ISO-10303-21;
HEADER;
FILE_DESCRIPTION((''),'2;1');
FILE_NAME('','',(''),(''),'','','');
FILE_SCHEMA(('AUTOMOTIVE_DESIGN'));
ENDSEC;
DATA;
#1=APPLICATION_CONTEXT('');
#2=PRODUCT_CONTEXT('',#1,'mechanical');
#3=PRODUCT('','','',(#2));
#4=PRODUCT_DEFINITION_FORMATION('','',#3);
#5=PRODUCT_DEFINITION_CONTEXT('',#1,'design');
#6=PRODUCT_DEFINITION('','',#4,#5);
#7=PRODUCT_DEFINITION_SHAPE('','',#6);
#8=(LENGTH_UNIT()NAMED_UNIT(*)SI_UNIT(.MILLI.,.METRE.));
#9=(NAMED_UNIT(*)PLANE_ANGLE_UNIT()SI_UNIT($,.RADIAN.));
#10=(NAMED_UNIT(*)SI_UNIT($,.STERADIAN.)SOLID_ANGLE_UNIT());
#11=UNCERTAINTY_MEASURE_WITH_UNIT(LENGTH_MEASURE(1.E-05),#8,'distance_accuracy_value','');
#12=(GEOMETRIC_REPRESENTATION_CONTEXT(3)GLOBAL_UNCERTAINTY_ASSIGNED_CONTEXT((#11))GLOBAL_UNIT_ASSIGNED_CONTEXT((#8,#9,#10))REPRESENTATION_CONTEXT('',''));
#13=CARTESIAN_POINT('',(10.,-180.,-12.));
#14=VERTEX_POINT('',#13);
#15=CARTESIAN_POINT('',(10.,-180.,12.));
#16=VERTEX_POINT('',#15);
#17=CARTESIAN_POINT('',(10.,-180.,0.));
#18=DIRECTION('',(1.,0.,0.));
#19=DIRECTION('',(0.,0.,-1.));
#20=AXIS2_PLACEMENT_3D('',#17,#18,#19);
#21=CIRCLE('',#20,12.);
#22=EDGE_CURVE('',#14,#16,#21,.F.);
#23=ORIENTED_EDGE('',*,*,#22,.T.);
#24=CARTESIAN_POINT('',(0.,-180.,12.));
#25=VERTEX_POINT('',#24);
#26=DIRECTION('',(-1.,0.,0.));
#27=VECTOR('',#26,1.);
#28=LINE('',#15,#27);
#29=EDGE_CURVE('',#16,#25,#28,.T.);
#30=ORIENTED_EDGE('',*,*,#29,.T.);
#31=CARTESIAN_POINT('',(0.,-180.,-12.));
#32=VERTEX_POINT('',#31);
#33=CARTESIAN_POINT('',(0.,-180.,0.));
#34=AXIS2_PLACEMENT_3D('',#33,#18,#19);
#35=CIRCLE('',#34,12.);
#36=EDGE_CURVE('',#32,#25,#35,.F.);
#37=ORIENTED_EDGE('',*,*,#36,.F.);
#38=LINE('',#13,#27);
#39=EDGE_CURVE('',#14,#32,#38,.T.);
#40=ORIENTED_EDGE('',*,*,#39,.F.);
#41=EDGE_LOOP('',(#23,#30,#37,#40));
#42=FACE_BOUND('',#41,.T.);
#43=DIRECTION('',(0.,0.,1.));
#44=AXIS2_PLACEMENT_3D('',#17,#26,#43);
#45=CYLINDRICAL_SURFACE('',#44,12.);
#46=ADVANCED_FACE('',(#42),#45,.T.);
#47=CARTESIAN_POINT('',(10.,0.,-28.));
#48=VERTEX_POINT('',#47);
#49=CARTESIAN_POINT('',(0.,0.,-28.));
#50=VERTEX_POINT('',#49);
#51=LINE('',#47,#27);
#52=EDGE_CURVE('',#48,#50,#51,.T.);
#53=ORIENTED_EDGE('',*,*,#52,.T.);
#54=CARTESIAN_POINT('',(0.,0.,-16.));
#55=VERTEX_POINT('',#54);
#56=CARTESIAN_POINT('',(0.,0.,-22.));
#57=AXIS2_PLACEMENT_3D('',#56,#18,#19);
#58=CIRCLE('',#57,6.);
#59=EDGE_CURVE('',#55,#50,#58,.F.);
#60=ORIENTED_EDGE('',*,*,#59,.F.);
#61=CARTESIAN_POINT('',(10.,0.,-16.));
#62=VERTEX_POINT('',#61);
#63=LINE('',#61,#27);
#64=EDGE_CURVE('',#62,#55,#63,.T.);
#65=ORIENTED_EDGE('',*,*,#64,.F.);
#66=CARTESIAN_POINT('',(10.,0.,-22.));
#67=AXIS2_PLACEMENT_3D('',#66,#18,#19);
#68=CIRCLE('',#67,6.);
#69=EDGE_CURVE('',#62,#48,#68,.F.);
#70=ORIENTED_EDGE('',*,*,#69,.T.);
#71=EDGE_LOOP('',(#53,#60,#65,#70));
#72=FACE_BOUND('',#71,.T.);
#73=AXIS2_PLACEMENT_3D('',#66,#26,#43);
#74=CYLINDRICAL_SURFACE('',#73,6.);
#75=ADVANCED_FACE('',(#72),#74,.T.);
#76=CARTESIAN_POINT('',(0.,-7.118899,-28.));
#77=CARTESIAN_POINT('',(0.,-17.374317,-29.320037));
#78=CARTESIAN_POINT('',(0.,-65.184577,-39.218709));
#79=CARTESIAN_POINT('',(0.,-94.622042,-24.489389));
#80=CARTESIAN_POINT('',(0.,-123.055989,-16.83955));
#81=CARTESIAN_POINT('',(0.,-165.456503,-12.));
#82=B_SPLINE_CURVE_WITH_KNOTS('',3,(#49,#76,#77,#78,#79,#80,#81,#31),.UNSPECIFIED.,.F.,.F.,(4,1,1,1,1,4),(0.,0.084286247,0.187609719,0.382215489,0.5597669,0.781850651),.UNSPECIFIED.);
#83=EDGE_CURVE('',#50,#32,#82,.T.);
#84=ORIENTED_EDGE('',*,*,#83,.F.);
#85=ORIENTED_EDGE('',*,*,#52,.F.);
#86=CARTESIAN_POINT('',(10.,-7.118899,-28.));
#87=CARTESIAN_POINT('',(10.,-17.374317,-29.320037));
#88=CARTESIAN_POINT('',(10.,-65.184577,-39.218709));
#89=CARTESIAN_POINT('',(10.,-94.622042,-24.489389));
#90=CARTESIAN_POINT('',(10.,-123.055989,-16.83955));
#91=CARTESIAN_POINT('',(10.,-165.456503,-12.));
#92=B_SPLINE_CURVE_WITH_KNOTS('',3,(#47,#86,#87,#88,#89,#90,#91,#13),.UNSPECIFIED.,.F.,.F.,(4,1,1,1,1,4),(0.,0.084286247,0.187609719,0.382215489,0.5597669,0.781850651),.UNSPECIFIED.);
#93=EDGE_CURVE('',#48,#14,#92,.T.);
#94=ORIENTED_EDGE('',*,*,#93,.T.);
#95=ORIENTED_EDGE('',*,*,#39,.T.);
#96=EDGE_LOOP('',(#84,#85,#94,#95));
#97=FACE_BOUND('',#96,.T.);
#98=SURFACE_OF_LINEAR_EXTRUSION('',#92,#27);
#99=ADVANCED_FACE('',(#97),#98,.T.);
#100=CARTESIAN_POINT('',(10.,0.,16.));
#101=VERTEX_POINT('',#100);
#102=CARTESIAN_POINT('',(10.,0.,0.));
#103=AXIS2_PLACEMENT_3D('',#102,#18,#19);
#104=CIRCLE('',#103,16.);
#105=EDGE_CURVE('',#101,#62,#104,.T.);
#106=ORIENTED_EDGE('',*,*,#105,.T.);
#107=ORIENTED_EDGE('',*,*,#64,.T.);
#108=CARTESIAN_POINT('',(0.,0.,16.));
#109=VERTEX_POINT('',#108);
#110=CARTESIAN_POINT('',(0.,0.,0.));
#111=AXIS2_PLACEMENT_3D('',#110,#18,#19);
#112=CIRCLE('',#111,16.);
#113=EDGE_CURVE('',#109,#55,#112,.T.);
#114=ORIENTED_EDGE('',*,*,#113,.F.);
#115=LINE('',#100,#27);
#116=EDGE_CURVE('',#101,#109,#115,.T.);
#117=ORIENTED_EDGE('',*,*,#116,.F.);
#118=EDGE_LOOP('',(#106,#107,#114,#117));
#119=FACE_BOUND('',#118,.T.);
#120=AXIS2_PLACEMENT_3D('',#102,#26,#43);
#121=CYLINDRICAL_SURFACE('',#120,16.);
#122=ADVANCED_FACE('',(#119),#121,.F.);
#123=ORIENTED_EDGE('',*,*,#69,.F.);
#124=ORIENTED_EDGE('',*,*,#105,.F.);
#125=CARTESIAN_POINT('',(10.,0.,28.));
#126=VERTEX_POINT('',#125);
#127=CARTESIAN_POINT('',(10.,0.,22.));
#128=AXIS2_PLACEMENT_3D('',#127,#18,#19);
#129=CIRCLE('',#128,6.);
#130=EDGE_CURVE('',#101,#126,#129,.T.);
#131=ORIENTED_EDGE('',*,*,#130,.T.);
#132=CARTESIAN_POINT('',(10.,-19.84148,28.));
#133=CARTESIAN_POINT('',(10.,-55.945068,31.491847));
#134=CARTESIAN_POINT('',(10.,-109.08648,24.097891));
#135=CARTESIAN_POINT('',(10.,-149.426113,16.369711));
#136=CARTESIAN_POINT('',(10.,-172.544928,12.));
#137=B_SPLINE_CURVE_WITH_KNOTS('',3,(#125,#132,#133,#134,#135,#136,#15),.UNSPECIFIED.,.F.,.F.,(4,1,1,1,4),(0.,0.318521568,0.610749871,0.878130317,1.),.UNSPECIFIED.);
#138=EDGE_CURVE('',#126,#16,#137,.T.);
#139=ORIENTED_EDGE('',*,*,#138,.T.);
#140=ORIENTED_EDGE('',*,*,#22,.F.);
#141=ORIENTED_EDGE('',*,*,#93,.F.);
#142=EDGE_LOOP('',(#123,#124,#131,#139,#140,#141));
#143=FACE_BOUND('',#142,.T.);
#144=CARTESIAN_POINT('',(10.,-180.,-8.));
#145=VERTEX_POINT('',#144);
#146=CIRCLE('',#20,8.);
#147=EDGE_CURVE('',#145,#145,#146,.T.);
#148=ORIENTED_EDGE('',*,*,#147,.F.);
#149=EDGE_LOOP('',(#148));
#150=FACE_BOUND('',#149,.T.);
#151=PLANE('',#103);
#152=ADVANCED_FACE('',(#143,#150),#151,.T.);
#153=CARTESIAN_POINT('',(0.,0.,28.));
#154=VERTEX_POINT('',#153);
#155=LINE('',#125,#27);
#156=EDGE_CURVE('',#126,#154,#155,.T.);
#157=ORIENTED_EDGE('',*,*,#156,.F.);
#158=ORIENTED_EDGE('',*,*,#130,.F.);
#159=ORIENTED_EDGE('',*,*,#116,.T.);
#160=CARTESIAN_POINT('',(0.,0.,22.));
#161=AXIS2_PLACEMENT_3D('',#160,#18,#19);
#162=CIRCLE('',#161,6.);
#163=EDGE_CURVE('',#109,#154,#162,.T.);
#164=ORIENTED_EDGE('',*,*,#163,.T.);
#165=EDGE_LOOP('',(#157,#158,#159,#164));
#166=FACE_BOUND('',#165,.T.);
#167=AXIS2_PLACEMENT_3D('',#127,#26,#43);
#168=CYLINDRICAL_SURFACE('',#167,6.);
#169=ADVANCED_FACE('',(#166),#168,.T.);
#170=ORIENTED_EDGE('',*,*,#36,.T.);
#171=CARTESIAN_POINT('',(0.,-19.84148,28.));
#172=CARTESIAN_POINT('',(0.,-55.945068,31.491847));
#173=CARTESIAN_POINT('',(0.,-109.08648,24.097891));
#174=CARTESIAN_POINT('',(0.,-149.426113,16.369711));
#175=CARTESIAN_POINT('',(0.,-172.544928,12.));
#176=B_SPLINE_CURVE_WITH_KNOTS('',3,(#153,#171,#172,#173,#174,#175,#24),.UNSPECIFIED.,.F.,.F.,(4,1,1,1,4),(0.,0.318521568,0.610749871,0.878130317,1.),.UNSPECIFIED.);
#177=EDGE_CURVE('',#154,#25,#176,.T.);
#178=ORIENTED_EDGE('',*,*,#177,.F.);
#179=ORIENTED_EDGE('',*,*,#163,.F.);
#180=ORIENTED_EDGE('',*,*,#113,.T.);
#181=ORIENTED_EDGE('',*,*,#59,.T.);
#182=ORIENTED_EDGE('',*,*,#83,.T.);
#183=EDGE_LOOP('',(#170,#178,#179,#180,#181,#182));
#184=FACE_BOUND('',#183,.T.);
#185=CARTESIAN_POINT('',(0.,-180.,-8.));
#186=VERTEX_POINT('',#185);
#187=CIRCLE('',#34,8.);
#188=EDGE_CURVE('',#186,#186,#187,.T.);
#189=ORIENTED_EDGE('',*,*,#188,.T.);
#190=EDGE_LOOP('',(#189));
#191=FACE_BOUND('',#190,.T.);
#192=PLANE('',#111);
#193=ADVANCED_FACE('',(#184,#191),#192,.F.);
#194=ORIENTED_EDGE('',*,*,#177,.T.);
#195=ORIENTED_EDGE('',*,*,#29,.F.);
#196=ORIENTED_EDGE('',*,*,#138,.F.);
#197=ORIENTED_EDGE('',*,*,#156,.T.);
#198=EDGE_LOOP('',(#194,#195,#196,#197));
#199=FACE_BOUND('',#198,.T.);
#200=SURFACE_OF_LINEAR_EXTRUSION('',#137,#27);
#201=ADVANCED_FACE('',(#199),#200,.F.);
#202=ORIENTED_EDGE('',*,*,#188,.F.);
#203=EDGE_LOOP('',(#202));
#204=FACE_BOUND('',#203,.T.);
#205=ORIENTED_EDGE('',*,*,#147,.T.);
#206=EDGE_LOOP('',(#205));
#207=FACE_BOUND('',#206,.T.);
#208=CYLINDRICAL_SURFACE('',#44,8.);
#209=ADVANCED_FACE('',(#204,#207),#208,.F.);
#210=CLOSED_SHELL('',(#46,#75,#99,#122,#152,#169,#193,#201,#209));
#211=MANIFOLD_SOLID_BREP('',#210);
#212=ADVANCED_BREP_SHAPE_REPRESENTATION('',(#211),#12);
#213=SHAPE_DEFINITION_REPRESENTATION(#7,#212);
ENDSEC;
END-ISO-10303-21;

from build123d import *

# Parameters (mm, degrees)
SKETCH1_R           = 8
BOSS_EXTRUDE1_DEPTH = 10


with BuildPart() as part:
    # Sketch1 → Boss-Extrude1 (new body)
    with BuildSketch(Plane(origin=(0, 0, 0), x_dir=(0, 0, -1), z_dir=(1, 0, 0))):
        with BuildLine():
            add(Edge.make_bspline(
                [(28, 0), (28, -7.118899136), (29.32003736, -17.374316549), (39.218709007, -65.18457733), (24.48938936, -94.622041818), (16.83955024, -123.055989281), (12, -165.45650348), (12, -180)],
                knots=[0, 0, 0, 0, 0.084286247, 0.187609719, 0.382215489, 0.5597669, 0.781850651, 0.781850651, 0.781850651, 0.781850651], degree=3))
            ThreePointArc((12, -180), (0, -192), (-12, -180))
            add(Edge.make_bspline(
                [(-28, 0), (-28, -19.841479689), (-31.491847071, -55.945068065), (-24.097890925, -109.086480388), (-16.36971111, -149.426112932), (-12, -172.544928322), (-12, -180)],
                knots=[0, 0, 0, 0, 0.318521568, 0.610749871, 0.878130317, 1, 1, 1, 1], degree=3))
            ThreePointArc((-28, 0), (-22, 6), (-16, 0))
            ThreePointArc((-16, 0), (0, -16), (16, 0))
            ThreePointArc((16, 0), (22, 6), (28, 0))
        make_face()
        with Locations((0, -180)):
            Circle(SKETCH1_R, mode=Mode.SUBTRACT)
    extrude(amount=BOSS_EXTRUDE1_DEPTH)


solid = part.part
